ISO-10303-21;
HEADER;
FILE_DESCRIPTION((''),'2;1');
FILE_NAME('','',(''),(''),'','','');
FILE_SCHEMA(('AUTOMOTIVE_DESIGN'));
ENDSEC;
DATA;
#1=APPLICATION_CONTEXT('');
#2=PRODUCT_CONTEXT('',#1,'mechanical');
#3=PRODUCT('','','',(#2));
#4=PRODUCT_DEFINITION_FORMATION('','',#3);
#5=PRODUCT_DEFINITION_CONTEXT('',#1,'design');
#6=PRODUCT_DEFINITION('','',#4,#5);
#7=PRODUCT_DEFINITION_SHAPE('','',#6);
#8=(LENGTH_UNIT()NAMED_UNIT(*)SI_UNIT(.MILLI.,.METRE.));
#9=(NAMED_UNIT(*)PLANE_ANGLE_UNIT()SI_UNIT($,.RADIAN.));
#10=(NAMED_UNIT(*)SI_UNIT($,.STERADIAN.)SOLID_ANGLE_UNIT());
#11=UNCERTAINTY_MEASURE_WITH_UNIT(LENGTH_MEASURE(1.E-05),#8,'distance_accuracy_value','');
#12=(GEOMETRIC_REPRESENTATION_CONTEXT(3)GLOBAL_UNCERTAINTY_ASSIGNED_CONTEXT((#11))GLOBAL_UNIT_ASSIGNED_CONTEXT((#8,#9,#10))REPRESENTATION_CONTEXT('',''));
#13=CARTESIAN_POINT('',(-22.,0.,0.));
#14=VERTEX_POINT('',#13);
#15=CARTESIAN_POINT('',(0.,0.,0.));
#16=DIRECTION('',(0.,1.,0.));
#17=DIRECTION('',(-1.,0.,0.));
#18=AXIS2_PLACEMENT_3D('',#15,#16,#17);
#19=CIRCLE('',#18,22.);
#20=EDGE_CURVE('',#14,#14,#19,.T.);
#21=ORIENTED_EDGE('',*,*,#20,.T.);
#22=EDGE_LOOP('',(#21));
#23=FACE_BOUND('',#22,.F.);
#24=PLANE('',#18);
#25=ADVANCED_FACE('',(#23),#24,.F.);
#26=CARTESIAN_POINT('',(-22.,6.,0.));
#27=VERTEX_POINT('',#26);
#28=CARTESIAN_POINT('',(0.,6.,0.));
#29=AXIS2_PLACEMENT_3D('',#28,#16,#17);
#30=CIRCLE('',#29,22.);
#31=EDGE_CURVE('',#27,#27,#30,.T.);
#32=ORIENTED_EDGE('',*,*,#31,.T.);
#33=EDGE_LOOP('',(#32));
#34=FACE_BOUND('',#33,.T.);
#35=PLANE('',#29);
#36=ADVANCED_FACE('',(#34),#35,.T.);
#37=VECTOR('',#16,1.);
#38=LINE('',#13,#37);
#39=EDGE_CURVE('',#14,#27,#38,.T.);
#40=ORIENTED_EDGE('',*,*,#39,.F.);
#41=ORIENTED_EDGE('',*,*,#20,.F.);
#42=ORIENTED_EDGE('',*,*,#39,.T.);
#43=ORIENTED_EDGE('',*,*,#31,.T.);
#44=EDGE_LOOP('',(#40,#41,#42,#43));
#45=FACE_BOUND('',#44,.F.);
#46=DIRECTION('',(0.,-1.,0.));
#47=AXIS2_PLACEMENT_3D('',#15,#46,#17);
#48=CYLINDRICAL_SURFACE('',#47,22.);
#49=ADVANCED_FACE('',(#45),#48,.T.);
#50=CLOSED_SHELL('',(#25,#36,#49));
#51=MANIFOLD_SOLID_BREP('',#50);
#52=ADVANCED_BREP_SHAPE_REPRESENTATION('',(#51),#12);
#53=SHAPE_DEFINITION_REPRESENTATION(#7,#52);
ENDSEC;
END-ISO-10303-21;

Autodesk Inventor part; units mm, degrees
ref_plane "YZ Plane" through (0, 0, 0) normal (1, 0, 0) x (0, 1, 0)
ref_plane "XZ Plane" through (0, 0, 0) normal (0, 1, 0) x (-1, 0, 0)
ref_plane "XY Plane" through (0, 0, 0) normal (0, 0, 1) x (1, 0, 0)
sketch "スケッチ1" plane through (0, 0, 0) normal (0, 1, 0) x (-1, 0, 0)
  circle A0 centre (0, 0) radius 22
  dimension "d0" = 44
extrude "押し出し1" add sketch "スケッチ1" along normal blind 6
properties part number "LiDAR_up" material "真鍮、ソフト イエロー"
